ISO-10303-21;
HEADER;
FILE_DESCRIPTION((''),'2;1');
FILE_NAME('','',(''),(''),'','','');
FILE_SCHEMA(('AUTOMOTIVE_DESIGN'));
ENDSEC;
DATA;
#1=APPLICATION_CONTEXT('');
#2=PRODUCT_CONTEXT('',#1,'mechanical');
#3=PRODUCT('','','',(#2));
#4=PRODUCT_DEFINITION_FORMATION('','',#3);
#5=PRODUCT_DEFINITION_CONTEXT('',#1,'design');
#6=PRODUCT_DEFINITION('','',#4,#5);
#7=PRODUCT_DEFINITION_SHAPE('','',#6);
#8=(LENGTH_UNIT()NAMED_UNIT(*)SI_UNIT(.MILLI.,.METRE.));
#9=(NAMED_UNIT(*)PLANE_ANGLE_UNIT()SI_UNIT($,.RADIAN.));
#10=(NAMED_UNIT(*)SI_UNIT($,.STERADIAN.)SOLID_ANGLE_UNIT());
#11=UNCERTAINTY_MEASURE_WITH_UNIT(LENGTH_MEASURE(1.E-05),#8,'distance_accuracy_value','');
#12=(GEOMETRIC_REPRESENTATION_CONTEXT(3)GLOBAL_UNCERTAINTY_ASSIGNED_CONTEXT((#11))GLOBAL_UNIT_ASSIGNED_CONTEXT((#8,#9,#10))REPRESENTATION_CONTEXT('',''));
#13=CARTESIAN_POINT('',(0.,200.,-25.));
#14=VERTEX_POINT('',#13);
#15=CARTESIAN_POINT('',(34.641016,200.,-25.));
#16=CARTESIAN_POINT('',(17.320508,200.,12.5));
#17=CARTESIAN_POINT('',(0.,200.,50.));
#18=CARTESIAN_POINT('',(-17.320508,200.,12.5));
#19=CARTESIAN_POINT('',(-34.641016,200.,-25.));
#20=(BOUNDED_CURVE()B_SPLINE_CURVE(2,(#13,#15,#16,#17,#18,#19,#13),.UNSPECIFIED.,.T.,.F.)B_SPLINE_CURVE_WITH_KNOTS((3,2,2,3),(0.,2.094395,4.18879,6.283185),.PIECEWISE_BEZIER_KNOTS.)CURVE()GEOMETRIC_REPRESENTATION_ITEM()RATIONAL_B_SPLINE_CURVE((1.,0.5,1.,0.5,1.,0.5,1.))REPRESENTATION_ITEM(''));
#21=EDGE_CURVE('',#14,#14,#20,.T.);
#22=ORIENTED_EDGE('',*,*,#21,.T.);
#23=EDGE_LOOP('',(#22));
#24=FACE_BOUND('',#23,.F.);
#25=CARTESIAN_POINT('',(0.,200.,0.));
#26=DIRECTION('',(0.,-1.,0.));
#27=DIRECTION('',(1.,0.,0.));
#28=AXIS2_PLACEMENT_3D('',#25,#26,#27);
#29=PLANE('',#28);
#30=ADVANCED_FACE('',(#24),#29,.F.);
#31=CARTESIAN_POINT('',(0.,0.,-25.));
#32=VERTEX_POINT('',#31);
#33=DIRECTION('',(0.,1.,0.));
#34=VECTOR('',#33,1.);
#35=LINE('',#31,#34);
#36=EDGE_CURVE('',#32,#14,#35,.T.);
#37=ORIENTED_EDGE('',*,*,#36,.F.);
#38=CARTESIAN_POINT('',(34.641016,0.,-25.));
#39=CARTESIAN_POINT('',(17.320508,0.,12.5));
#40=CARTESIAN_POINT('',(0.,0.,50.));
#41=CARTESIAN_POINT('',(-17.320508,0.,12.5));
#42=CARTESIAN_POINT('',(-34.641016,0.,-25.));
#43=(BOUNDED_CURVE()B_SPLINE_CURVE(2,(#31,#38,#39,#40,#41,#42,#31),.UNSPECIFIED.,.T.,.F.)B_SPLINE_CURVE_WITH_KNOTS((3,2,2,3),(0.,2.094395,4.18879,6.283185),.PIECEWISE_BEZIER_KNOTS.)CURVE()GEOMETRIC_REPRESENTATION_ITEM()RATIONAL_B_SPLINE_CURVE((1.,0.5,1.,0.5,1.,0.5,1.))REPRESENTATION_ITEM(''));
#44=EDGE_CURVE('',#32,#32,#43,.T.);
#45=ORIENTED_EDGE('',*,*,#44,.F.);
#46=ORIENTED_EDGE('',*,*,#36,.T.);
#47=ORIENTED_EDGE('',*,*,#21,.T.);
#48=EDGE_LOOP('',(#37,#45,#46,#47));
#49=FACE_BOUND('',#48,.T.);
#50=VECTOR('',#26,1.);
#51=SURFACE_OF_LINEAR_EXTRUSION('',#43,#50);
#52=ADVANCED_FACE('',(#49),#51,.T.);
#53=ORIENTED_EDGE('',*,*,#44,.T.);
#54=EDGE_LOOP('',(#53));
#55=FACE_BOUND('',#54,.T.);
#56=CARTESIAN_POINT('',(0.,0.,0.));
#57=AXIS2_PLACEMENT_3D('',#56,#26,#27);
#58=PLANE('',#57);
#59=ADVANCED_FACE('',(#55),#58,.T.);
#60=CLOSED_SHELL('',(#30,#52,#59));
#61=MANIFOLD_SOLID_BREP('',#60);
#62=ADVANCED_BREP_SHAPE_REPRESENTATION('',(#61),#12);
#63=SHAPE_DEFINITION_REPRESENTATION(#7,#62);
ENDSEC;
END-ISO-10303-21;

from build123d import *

# Parameters (mm, degrees)
F1_DEPTH = 200


with BuildPart() as f1:
    # F0 (on Front) → F1 (new body)
    with BuildSketch(Plane.XZ):
        with BuildLine():
            add(Edge.make_bspline(
                [(0, -25), (34.641016, -25), (17.320508, 12.5), (0, 50), (-17.320508, 12.5), (-34.641016, -25), (0, -25)],
                knots=[0, 0, 0, 2.094395, 2.094395, 4.18879, 4.18879, 6.283185, 6.283185, 6.283185], degree=2, weights=[1, 0.5, 1, 0.5, 1, 0.5, 1]))
        make_face()
    extrude(amount=-F1_DEPTH)


solid = f1.part
